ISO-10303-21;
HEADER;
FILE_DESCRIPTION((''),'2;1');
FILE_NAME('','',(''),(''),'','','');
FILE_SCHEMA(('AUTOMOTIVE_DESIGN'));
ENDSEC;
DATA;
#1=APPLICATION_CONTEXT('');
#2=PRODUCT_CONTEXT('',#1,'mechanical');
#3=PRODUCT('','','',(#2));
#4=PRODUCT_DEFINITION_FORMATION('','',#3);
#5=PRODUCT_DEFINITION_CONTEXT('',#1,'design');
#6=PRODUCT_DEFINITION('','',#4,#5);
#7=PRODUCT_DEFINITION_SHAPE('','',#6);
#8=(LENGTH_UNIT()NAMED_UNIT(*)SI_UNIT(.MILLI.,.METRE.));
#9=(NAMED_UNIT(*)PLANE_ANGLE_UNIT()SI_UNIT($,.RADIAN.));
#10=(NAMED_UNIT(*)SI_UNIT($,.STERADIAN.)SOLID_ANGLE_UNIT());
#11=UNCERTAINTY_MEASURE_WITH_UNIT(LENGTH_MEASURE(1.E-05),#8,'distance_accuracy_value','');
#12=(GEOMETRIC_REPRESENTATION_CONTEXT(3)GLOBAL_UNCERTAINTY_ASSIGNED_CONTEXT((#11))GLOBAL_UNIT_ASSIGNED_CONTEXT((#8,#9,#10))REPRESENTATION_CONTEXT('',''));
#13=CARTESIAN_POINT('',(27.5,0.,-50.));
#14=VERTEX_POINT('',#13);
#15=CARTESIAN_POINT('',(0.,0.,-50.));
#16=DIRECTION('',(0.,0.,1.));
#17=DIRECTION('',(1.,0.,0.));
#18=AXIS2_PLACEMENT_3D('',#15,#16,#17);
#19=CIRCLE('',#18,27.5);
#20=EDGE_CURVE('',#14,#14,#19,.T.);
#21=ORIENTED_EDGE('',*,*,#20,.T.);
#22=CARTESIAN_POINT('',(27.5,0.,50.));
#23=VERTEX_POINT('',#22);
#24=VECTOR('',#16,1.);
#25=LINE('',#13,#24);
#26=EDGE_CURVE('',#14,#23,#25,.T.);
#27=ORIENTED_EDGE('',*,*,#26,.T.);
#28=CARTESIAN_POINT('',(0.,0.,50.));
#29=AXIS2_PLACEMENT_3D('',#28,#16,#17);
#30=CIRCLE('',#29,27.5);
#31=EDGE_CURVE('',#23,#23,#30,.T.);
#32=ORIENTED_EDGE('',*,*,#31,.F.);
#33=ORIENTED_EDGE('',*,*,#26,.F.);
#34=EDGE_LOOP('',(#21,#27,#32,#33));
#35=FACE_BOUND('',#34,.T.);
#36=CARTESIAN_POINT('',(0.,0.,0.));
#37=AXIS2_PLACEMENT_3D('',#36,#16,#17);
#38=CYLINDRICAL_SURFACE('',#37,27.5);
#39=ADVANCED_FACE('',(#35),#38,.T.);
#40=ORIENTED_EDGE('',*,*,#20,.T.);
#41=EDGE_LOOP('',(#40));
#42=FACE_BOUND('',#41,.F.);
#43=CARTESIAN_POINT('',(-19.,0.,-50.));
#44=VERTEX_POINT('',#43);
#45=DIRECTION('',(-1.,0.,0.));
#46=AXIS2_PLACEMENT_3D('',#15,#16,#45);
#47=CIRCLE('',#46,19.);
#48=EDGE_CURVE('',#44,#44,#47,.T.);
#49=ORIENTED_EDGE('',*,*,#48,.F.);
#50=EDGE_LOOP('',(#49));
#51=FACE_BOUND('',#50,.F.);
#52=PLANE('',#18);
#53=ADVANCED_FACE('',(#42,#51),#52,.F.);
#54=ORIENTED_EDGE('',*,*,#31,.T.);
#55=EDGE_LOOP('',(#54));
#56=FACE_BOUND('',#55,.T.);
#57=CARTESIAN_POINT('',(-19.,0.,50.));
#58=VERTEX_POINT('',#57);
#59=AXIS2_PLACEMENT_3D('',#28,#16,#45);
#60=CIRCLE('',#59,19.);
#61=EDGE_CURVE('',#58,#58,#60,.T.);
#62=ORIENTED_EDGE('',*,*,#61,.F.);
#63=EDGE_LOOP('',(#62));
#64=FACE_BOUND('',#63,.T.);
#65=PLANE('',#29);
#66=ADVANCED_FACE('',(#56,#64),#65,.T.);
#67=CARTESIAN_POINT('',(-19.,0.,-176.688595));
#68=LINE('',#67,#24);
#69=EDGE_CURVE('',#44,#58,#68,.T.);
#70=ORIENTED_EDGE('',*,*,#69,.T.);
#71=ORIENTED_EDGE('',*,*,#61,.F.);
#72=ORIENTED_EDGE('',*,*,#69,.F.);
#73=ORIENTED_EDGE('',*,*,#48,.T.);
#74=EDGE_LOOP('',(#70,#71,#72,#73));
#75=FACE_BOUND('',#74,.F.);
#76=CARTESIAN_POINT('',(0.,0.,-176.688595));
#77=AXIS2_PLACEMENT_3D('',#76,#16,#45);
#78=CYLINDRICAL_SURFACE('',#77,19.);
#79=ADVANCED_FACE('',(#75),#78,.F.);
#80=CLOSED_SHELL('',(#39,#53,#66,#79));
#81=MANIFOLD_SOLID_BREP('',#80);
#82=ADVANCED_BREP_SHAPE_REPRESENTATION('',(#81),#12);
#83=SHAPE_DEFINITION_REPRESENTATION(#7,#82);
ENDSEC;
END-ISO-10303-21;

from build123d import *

# Parameters (mm, degrees)
F0_R     = 27.5
F1_DEPTH = 50
F3_D     = 38


with BuildPart() as f1:
    # F0 (on Top) → F1 (new body, symmetric)
    with BuildSketch(Plane.XY):
        Circle(F0_R)
    extrude(amount=F1_DEPTH, both=True)

    # F3 (through all)
    with Locations(Plane(origin=(0, 0, -50), x_dir=(1, 0, 0), z_dir=(0, 0, -1))):
        with Locations((0, 0)):
            Hole(F3_D / 2)


solid = f1.part
